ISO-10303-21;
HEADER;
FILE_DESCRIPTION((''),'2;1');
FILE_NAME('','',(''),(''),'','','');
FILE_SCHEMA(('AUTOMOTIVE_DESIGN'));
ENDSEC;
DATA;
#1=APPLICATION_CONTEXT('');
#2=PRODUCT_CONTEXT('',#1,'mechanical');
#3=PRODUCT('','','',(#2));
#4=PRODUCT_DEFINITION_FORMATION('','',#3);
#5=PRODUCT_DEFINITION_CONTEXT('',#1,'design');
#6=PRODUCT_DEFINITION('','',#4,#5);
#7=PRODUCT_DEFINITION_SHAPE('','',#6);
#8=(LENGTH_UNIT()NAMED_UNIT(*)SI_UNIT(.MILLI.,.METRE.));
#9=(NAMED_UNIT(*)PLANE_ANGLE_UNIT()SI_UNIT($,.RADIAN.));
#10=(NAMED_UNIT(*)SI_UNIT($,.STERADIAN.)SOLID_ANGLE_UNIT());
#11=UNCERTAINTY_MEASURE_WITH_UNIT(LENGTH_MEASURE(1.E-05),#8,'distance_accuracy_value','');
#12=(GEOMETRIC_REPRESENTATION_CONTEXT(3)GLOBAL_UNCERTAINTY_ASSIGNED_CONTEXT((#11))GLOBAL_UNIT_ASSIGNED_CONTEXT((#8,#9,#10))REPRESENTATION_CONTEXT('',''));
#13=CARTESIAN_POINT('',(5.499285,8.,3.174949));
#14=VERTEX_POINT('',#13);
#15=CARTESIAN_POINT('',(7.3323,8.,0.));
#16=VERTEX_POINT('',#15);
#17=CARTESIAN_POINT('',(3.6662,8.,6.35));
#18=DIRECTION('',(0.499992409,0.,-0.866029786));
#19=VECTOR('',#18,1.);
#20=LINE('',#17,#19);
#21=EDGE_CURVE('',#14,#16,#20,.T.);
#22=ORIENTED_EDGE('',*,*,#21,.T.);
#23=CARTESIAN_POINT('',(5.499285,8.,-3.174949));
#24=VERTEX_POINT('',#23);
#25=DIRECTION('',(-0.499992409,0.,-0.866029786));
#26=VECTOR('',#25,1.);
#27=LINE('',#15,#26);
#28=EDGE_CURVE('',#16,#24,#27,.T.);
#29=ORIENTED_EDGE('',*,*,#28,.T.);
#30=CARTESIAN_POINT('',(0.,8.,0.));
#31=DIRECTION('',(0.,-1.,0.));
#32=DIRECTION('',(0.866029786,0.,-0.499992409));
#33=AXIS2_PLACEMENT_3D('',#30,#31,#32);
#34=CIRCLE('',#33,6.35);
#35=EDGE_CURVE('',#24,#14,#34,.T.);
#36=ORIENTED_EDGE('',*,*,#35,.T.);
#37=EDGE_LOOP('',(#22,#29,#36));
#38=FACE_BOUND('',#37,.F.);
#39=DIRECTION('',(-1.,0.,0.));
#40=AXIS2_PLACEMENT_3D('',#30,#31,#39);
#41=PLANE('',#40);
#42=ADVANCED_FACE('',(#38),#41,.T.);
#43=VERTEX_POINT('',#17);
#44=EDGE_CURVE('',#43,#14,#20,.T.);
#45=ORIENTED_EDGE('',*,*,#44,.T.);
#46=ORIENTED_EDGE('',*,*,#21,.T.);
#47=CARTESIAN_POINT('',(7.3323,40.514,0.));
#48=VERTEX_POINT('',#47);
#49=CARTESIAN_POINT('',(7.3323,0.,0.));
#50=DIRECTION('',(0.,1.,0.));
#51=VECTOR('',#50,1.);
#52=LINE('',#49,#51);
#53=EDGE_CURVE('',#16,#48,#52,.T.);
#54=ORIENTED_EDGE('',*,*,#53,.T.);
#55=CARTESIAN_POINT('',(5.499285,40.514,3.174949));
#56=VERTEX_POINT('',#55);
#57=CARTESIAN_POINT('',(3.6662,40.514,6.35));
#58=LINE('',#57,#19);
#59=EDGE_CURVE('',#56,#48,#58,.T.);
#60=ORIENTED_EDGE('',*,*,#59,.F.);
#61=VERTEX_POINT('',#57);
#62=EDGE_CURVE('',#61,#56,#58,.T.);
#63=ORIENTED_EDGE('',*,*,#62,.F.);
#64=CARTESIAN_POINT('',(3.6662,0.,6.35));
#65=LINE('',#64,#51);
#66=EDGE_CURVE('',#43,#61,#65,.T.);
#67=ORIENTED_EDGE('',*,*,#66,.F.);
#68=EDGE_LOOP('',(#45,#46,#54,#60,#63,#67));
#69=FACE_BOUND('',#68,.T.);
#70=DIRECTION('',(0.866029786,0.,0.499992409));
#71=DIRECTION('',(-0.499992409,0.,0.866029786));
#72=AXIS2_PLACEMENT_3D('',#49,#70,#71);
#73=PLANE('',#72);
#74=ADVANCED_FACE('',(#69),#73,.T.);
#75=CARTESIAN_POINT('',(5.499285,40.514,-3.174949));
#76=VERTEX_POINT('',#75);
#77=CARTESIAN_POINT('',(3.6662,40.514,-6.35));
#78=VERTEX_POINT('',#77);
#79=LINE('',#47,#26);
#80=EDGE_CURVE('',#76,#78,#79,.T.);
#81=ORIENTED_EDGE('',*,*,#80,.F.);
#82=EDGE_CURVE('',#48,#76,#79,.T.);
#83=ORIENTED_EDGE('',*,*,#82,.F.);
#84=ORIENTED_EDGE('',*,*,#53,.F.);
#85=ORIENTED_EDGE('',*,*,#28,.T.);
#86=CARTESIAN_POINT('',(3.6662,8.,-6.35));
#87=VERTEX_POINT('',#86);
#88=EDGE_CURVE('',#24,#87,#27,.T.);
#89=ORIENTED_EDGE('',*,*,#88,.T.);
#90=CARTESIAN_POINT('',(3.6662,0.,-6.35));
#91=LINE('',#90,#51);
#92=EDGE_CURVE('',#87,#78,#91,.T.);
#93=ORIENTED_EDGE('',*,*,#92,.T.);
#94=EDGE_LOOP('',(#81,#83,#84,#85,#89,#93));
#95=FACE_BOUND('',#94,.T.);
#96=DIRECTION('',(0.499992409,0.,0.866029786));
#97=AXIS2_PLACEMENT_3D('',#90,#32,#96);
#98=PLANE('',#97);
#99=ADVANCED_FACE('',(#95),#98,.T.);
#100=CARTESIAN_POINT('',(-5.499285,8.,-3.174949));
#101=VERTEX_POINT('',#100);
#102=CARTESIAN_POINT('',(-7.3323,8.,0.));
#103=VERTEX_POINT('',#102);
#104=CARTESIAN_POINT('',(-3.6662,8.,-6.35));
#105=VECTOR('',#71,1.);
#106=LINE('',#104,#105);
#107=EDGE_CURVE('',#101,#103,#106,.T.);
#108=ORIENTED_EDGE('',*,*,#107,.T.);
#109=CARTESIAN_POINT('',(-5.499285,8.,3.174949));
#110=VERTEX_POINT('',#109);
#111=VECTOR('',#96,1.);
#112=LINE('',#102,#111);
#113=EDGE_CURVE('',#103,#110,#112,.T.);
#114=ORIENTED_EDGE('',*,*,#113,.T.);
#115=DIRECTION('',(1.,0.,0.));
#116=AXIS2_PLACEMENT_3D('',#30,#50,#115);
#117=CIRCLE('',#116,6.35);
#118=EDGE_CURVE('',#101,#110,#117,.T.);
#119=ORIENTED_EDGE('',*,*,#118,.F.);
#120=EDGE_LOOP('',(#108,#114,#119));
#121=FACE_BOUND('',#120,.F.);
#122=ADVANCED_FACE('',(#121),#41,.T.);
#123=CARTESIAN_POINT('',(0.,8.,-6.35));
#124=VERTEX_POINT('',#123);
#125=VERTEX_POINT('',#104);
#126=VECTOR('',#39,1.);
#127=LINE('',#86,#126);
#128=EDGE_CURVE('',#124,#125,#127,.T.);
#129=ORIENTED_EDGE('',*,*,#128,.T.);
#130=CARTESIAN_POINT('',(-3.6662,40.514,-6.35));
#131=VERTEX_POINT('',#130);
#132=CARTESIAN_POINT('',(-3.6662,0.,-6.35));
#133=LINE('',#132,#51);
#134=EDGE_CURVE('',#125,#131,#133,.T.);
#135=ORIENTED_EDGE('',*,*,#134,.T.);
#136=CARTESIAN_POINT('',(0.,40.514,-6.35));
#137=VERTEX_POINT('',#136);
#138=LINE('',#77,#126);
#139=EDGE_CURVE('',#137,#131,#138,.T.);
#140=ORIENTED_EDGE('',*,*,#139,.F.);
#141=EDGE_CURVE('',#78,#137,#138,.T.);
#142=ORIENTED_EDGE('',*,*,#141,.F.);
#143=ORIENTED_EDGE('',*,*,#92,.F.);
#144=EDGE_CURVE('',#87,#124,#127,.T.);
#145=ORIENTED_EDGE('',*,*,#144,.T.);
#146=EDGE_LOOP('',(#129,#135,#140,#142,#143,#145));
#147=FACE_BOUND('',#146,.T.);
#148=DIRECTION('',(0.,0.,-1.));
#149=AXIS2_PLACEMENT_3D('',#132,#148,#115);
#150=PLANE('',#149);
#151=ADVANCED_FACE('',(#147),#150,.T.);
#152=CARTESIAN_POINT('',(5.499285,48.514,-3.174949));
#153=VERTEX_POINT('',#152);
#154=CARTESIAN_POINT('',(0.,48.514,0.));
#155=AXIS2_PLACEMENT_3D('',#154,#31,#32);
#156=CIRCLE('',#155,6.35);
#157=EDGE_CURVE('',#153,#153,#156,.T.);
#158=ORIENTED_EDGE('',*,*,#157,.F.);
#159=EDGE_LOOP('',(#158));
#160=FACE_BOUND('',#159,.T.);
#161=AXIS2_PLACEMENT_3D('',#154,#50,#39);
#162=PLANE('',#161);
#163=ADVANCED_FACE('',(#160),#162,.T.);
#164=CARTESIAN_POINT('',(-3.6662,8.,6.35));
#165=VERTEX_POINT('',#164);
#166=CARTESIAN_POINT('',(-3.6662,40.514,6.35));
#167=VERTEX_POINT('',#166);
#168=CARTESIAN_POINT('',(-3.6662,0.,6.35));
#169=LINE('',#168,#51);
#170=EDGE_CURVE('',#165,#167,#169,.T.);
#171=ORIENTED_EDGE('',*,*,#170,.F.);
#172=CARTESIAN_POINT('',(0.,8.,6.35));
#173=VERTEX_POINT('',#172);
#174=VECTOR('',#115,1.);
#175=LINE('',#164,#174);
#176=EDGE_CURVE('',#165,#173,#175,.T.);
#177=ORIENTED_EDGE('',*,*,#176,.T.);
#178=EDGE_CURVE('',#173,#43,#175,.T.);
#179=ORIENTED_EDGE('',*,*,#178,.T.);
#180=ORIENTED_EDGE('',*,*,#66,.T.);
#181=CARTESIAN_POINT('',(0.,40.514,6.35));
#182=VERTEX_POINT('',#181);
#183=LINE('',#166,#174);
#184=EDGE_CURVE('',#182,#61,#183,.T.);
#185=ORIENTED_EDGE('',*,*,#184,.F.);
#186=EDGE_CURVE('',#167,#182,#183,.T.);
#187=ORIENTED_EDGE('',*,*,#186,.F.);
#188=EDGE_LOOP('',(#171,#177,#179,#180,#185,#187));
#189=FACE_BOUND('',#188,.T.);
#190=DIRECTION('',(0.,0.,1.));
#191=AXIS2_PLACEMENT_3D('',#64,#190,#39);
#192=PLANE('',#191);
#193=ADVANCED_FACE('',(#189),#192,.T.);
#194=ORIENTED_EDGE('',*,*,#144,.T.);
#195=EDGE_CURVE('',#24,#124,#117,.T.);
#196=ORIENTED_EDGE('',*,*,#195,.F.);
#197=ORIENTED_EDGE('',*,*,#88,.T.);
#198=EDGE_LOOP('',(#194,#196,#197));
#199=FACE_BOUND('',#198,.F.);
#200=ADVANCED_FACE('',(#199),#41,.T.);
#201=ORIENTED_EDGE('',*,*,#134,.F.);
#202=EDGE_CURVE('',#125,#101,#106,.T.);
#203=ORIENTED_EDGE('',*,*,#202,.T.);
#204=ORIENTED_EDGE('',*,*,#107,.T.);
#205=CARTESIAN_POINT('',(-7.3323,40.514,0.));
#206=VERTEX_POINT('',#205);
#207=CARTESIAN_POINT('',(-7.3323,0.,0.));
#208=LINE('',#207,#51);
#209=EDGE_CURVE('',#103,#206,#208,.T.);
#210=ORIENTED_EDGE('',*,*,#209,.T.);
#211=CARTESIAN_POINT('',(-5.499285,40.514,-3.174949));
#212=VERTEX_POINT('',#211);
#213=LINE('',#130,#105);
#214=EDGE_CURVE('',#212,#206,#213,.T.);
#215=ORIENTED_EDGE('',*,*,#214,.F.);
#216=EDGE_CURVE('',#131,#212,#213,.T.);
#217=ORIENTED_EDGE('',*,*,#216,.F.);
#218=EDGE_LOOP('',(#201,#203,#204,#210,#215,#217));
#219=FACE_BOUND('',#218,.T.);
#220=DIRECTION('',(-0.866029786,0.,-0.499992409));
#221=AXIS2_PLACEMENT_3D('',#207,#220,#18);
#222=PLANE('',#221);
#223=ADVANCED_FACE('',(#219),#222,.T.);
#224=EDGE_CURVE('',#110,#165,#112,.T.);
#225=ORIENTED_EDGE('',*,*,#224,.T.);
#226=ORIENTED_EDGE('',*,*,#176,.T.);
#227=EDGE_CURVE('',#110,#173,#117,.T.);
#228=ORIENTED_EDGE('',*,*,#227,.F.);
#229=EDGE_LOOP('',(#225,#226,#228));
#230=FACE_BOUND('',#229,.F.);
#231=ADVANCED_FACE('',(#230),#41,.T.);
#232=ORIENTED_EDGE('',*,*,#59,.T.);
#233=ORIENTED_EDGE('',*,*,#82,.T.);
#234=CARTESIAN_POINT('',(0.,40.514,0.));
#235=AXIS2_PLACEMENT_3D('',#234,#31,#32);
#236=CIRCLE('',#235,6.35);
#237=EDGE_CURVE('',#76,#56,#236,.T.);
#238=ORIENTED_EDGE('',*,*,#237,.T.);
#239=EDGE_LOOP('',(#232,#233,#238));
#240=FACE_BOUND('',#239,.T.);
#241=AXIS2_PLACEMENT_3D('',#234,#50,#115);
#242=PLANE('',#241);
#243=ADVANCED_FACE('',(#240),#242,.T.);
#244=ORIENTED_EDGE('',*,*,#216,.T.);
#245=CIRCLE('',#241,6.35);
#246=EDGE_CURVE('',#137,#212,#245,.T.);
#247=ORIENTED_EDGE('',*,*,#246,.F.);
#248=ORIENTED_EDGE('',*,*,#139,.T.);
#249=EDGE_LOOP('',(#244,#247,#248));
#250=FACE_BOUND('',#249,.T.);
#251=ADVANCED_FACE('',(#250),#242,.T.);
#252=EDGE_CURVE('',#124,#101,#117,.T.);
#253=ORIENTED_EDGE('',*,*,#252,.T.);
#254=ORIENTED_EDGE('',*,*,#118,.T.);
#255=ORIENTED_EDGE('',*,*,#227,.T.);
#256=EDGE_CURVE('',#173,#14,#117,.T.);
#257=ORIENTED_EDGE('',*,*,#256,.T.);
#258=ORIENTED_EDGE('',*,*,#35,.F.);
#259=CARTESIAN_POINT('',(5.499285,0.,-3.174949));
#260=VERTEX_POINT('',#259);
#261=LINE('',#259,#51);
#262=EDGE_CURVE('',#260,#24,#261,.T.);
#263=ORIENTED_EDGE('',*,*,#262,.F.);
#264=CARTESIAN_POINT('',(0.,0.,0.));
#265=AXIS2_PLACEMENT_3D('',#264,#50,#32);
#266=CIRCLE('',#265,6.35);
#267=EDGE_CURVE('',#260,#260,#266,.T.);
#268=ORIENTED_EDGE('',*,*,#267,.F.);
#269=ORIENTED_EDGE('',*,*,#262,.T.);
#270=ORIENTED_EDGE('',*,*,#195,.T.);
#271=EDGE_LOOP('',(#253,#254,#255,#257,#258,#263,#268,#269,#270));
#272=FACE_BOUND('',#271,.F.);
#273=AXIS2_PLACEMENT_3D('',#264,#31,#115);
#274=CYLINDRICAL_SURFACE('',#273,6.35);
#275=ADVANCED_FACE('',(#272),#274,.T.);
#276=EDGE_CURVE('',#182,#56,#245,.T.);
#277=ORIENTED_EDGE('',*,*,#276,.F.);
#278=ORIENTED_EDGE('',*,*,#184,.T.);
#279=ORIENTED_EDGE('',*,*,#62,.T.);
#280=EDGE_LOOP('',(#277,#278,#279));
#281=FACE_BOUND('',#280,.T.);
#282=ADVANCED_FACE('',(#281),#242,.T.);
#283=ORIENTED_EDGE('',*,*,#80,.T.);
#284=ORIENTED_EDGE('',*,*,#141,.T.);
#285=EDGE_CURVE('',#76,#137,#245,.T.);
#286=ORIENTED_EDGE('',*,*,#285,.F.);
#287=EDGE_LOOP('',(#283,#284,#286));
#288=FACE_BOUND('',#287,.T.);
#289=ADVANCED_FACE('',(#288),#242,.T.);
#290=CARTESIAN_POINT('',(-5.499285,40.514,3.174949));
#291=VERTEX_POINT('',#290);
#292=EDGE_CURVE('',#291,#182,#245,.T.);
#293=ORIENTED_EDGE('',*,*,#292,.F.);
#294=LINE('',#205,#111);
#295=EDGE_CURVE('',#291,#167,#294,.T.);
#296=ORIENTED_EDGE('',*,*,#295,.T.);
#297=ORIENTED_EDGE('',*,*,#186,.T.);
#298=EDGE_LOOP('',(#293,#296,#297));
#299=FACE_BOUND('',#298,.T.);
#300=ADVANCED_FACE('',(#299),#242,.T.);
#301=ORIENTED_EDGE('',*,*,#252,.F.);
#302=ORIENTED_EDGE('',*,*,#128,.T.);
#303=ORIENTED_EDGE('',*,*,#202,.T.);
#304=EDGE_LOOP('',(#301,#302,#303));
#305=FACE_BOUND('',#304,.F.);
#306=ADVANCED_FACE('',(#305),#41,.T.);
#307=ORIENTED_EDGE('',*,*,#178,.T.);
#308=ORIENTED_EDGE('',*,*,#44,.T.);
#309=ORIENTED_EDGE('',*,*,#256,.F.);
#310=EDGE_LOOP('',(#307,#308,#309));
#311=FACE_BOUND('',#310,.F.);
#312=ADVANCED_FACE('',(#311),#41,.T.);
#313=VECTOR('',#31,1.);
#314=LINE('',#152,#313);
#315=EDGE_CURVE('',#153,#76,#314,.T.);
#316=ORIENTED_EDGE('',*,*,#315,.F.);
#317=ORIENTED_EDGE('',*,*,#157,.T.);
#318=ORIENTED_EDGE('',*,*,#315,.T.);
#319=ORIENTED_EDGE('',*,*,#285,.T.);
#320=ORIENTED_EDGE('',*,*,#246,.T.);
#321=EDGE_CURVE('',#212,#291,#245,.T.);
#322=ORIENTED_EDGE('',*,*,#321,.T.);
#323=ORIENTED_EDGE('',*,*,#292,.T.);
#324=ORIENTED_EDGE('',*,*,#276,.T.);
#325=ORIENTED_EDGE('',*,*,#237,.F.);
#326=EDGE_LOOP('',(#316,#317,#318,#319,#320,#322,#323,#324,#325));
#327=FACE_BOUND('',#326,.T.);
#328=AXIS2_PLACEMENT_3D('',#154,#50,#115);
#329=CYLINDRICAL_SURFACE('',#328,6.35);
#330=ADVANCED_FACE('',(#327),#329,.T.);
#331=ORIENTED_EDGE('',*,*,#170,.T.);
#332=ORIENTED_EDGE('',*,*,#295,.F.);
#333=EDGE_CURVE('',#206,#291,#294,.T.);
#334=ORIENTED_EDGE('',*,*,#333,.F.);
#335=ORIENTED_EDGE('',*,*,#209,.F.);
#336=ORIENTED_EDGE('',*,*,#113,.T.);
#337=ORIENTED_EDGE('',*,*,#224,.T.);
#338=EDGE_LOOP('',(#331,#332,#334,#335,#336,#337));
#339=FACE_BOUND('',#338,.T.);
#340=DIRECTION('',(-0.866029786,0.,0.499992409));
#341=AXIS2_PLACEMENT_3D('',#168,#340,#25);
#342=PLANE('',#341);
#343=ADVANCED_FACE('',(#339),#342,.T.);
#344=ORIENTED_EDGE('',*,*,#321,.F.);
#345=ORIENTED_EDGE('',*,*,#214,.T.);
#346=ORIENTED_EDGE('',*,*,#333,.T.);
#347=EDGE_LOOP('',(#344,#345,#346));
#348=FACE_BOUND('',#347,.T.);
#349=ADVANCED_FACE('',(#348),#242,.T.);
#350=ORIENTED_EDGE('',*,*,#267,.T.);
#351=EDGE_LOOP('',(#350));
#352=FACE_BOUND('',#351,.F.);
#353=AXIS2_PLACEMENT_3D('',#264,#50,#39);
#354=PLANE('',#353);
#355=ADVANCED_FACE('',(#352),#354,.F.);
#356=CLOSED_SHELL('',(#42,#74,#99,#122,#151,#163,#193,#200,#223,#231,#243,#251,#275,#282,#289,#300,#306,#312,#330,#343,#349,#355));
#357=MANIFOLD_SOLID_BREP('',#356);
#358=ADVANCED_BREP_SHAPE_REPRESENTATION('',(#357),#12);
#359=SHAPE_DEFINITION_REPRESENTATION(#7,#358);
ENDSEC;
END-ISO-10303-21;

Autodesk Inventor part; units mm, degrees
ref_plane "YZ Plane" through (0, 0, 0) normal (1, 0, 0) x (0, 1, 0)
ref_plane "XZ Plane" through (0, 0, 0) normal (0, 1, 0) x (-1, 0, 0)
sketch "Sketch1" plane through (0, 0, 0) normal (0, 1, 0) x (-1, 0, 0)
  line L0 (7.3323, 0) -> (3.6662, -6.35)
  line L1 (3.6662, -6.35) -> (-3.6662, -6.35)
  line L2 (-3.6662, -6.35) -> (-7.3323, 0)
  line L3 (-7.3323, 0) -> (-3.6662, 6.35)
  line L4 (-3.6662, 6.35) -> (3.6662, 6.35)
  line L5 (3.6662, 6.35) -> (7.3323, 0)
  line L6 (7.3323, 0) -> (0, 0)
  line L7 (0, 0) -> (0, -3.7196)
  dimension "d0" = 90
  dimension "d1" = 12.7
extrude "Extrusion1" add sketch "Sketch1" along normal blind 48.514
ref_plane "Work Plane2" through (0, 24.257, 0) normal (0, 1, 0) x (1, 0, 0)
sketch "Sketch3" plane through (0, 48.514, 0) normal (0, 1, 0) x (1, 0, 0)
  circle A0 centre (0, 0) radius 6.35
  line L0 (-3.6662, 6.35) -> (-7.3323, 0) projected
  line L1 (-3.6662, 6.35) -> (-7.3323, 0) projected
  line L2 (-7.3323, 0) -> (-3.6662, -6.35) projected
  line L3 (-3.6662, -6.35) -> (3.6662, -6.35) projected
  line L4 (3.6662, -6.35) -> (7.3323, 0) projected
  line L5 (7.3323, 0) -> (3.6662, 6.35) projected
  line L6 (3.6662, 6.35) -> (-3.6662, 6.35) projected
  dimension "d7" = 12.7
extrude "Extrusion3" cut sketch "Sketch3" against normal blind 8 contours A0 L5 L4 | A0 L6 L5 | L4 L3 A0 | A0 L0 L6 | L3 L2 A0 | A0 L2 L0
mirror "Mirror2" about plane through (0, 24.257, 0) normal (0, 1, 0) of "Extrusion3"
properties part number "Hex Shaft for E gear box"
